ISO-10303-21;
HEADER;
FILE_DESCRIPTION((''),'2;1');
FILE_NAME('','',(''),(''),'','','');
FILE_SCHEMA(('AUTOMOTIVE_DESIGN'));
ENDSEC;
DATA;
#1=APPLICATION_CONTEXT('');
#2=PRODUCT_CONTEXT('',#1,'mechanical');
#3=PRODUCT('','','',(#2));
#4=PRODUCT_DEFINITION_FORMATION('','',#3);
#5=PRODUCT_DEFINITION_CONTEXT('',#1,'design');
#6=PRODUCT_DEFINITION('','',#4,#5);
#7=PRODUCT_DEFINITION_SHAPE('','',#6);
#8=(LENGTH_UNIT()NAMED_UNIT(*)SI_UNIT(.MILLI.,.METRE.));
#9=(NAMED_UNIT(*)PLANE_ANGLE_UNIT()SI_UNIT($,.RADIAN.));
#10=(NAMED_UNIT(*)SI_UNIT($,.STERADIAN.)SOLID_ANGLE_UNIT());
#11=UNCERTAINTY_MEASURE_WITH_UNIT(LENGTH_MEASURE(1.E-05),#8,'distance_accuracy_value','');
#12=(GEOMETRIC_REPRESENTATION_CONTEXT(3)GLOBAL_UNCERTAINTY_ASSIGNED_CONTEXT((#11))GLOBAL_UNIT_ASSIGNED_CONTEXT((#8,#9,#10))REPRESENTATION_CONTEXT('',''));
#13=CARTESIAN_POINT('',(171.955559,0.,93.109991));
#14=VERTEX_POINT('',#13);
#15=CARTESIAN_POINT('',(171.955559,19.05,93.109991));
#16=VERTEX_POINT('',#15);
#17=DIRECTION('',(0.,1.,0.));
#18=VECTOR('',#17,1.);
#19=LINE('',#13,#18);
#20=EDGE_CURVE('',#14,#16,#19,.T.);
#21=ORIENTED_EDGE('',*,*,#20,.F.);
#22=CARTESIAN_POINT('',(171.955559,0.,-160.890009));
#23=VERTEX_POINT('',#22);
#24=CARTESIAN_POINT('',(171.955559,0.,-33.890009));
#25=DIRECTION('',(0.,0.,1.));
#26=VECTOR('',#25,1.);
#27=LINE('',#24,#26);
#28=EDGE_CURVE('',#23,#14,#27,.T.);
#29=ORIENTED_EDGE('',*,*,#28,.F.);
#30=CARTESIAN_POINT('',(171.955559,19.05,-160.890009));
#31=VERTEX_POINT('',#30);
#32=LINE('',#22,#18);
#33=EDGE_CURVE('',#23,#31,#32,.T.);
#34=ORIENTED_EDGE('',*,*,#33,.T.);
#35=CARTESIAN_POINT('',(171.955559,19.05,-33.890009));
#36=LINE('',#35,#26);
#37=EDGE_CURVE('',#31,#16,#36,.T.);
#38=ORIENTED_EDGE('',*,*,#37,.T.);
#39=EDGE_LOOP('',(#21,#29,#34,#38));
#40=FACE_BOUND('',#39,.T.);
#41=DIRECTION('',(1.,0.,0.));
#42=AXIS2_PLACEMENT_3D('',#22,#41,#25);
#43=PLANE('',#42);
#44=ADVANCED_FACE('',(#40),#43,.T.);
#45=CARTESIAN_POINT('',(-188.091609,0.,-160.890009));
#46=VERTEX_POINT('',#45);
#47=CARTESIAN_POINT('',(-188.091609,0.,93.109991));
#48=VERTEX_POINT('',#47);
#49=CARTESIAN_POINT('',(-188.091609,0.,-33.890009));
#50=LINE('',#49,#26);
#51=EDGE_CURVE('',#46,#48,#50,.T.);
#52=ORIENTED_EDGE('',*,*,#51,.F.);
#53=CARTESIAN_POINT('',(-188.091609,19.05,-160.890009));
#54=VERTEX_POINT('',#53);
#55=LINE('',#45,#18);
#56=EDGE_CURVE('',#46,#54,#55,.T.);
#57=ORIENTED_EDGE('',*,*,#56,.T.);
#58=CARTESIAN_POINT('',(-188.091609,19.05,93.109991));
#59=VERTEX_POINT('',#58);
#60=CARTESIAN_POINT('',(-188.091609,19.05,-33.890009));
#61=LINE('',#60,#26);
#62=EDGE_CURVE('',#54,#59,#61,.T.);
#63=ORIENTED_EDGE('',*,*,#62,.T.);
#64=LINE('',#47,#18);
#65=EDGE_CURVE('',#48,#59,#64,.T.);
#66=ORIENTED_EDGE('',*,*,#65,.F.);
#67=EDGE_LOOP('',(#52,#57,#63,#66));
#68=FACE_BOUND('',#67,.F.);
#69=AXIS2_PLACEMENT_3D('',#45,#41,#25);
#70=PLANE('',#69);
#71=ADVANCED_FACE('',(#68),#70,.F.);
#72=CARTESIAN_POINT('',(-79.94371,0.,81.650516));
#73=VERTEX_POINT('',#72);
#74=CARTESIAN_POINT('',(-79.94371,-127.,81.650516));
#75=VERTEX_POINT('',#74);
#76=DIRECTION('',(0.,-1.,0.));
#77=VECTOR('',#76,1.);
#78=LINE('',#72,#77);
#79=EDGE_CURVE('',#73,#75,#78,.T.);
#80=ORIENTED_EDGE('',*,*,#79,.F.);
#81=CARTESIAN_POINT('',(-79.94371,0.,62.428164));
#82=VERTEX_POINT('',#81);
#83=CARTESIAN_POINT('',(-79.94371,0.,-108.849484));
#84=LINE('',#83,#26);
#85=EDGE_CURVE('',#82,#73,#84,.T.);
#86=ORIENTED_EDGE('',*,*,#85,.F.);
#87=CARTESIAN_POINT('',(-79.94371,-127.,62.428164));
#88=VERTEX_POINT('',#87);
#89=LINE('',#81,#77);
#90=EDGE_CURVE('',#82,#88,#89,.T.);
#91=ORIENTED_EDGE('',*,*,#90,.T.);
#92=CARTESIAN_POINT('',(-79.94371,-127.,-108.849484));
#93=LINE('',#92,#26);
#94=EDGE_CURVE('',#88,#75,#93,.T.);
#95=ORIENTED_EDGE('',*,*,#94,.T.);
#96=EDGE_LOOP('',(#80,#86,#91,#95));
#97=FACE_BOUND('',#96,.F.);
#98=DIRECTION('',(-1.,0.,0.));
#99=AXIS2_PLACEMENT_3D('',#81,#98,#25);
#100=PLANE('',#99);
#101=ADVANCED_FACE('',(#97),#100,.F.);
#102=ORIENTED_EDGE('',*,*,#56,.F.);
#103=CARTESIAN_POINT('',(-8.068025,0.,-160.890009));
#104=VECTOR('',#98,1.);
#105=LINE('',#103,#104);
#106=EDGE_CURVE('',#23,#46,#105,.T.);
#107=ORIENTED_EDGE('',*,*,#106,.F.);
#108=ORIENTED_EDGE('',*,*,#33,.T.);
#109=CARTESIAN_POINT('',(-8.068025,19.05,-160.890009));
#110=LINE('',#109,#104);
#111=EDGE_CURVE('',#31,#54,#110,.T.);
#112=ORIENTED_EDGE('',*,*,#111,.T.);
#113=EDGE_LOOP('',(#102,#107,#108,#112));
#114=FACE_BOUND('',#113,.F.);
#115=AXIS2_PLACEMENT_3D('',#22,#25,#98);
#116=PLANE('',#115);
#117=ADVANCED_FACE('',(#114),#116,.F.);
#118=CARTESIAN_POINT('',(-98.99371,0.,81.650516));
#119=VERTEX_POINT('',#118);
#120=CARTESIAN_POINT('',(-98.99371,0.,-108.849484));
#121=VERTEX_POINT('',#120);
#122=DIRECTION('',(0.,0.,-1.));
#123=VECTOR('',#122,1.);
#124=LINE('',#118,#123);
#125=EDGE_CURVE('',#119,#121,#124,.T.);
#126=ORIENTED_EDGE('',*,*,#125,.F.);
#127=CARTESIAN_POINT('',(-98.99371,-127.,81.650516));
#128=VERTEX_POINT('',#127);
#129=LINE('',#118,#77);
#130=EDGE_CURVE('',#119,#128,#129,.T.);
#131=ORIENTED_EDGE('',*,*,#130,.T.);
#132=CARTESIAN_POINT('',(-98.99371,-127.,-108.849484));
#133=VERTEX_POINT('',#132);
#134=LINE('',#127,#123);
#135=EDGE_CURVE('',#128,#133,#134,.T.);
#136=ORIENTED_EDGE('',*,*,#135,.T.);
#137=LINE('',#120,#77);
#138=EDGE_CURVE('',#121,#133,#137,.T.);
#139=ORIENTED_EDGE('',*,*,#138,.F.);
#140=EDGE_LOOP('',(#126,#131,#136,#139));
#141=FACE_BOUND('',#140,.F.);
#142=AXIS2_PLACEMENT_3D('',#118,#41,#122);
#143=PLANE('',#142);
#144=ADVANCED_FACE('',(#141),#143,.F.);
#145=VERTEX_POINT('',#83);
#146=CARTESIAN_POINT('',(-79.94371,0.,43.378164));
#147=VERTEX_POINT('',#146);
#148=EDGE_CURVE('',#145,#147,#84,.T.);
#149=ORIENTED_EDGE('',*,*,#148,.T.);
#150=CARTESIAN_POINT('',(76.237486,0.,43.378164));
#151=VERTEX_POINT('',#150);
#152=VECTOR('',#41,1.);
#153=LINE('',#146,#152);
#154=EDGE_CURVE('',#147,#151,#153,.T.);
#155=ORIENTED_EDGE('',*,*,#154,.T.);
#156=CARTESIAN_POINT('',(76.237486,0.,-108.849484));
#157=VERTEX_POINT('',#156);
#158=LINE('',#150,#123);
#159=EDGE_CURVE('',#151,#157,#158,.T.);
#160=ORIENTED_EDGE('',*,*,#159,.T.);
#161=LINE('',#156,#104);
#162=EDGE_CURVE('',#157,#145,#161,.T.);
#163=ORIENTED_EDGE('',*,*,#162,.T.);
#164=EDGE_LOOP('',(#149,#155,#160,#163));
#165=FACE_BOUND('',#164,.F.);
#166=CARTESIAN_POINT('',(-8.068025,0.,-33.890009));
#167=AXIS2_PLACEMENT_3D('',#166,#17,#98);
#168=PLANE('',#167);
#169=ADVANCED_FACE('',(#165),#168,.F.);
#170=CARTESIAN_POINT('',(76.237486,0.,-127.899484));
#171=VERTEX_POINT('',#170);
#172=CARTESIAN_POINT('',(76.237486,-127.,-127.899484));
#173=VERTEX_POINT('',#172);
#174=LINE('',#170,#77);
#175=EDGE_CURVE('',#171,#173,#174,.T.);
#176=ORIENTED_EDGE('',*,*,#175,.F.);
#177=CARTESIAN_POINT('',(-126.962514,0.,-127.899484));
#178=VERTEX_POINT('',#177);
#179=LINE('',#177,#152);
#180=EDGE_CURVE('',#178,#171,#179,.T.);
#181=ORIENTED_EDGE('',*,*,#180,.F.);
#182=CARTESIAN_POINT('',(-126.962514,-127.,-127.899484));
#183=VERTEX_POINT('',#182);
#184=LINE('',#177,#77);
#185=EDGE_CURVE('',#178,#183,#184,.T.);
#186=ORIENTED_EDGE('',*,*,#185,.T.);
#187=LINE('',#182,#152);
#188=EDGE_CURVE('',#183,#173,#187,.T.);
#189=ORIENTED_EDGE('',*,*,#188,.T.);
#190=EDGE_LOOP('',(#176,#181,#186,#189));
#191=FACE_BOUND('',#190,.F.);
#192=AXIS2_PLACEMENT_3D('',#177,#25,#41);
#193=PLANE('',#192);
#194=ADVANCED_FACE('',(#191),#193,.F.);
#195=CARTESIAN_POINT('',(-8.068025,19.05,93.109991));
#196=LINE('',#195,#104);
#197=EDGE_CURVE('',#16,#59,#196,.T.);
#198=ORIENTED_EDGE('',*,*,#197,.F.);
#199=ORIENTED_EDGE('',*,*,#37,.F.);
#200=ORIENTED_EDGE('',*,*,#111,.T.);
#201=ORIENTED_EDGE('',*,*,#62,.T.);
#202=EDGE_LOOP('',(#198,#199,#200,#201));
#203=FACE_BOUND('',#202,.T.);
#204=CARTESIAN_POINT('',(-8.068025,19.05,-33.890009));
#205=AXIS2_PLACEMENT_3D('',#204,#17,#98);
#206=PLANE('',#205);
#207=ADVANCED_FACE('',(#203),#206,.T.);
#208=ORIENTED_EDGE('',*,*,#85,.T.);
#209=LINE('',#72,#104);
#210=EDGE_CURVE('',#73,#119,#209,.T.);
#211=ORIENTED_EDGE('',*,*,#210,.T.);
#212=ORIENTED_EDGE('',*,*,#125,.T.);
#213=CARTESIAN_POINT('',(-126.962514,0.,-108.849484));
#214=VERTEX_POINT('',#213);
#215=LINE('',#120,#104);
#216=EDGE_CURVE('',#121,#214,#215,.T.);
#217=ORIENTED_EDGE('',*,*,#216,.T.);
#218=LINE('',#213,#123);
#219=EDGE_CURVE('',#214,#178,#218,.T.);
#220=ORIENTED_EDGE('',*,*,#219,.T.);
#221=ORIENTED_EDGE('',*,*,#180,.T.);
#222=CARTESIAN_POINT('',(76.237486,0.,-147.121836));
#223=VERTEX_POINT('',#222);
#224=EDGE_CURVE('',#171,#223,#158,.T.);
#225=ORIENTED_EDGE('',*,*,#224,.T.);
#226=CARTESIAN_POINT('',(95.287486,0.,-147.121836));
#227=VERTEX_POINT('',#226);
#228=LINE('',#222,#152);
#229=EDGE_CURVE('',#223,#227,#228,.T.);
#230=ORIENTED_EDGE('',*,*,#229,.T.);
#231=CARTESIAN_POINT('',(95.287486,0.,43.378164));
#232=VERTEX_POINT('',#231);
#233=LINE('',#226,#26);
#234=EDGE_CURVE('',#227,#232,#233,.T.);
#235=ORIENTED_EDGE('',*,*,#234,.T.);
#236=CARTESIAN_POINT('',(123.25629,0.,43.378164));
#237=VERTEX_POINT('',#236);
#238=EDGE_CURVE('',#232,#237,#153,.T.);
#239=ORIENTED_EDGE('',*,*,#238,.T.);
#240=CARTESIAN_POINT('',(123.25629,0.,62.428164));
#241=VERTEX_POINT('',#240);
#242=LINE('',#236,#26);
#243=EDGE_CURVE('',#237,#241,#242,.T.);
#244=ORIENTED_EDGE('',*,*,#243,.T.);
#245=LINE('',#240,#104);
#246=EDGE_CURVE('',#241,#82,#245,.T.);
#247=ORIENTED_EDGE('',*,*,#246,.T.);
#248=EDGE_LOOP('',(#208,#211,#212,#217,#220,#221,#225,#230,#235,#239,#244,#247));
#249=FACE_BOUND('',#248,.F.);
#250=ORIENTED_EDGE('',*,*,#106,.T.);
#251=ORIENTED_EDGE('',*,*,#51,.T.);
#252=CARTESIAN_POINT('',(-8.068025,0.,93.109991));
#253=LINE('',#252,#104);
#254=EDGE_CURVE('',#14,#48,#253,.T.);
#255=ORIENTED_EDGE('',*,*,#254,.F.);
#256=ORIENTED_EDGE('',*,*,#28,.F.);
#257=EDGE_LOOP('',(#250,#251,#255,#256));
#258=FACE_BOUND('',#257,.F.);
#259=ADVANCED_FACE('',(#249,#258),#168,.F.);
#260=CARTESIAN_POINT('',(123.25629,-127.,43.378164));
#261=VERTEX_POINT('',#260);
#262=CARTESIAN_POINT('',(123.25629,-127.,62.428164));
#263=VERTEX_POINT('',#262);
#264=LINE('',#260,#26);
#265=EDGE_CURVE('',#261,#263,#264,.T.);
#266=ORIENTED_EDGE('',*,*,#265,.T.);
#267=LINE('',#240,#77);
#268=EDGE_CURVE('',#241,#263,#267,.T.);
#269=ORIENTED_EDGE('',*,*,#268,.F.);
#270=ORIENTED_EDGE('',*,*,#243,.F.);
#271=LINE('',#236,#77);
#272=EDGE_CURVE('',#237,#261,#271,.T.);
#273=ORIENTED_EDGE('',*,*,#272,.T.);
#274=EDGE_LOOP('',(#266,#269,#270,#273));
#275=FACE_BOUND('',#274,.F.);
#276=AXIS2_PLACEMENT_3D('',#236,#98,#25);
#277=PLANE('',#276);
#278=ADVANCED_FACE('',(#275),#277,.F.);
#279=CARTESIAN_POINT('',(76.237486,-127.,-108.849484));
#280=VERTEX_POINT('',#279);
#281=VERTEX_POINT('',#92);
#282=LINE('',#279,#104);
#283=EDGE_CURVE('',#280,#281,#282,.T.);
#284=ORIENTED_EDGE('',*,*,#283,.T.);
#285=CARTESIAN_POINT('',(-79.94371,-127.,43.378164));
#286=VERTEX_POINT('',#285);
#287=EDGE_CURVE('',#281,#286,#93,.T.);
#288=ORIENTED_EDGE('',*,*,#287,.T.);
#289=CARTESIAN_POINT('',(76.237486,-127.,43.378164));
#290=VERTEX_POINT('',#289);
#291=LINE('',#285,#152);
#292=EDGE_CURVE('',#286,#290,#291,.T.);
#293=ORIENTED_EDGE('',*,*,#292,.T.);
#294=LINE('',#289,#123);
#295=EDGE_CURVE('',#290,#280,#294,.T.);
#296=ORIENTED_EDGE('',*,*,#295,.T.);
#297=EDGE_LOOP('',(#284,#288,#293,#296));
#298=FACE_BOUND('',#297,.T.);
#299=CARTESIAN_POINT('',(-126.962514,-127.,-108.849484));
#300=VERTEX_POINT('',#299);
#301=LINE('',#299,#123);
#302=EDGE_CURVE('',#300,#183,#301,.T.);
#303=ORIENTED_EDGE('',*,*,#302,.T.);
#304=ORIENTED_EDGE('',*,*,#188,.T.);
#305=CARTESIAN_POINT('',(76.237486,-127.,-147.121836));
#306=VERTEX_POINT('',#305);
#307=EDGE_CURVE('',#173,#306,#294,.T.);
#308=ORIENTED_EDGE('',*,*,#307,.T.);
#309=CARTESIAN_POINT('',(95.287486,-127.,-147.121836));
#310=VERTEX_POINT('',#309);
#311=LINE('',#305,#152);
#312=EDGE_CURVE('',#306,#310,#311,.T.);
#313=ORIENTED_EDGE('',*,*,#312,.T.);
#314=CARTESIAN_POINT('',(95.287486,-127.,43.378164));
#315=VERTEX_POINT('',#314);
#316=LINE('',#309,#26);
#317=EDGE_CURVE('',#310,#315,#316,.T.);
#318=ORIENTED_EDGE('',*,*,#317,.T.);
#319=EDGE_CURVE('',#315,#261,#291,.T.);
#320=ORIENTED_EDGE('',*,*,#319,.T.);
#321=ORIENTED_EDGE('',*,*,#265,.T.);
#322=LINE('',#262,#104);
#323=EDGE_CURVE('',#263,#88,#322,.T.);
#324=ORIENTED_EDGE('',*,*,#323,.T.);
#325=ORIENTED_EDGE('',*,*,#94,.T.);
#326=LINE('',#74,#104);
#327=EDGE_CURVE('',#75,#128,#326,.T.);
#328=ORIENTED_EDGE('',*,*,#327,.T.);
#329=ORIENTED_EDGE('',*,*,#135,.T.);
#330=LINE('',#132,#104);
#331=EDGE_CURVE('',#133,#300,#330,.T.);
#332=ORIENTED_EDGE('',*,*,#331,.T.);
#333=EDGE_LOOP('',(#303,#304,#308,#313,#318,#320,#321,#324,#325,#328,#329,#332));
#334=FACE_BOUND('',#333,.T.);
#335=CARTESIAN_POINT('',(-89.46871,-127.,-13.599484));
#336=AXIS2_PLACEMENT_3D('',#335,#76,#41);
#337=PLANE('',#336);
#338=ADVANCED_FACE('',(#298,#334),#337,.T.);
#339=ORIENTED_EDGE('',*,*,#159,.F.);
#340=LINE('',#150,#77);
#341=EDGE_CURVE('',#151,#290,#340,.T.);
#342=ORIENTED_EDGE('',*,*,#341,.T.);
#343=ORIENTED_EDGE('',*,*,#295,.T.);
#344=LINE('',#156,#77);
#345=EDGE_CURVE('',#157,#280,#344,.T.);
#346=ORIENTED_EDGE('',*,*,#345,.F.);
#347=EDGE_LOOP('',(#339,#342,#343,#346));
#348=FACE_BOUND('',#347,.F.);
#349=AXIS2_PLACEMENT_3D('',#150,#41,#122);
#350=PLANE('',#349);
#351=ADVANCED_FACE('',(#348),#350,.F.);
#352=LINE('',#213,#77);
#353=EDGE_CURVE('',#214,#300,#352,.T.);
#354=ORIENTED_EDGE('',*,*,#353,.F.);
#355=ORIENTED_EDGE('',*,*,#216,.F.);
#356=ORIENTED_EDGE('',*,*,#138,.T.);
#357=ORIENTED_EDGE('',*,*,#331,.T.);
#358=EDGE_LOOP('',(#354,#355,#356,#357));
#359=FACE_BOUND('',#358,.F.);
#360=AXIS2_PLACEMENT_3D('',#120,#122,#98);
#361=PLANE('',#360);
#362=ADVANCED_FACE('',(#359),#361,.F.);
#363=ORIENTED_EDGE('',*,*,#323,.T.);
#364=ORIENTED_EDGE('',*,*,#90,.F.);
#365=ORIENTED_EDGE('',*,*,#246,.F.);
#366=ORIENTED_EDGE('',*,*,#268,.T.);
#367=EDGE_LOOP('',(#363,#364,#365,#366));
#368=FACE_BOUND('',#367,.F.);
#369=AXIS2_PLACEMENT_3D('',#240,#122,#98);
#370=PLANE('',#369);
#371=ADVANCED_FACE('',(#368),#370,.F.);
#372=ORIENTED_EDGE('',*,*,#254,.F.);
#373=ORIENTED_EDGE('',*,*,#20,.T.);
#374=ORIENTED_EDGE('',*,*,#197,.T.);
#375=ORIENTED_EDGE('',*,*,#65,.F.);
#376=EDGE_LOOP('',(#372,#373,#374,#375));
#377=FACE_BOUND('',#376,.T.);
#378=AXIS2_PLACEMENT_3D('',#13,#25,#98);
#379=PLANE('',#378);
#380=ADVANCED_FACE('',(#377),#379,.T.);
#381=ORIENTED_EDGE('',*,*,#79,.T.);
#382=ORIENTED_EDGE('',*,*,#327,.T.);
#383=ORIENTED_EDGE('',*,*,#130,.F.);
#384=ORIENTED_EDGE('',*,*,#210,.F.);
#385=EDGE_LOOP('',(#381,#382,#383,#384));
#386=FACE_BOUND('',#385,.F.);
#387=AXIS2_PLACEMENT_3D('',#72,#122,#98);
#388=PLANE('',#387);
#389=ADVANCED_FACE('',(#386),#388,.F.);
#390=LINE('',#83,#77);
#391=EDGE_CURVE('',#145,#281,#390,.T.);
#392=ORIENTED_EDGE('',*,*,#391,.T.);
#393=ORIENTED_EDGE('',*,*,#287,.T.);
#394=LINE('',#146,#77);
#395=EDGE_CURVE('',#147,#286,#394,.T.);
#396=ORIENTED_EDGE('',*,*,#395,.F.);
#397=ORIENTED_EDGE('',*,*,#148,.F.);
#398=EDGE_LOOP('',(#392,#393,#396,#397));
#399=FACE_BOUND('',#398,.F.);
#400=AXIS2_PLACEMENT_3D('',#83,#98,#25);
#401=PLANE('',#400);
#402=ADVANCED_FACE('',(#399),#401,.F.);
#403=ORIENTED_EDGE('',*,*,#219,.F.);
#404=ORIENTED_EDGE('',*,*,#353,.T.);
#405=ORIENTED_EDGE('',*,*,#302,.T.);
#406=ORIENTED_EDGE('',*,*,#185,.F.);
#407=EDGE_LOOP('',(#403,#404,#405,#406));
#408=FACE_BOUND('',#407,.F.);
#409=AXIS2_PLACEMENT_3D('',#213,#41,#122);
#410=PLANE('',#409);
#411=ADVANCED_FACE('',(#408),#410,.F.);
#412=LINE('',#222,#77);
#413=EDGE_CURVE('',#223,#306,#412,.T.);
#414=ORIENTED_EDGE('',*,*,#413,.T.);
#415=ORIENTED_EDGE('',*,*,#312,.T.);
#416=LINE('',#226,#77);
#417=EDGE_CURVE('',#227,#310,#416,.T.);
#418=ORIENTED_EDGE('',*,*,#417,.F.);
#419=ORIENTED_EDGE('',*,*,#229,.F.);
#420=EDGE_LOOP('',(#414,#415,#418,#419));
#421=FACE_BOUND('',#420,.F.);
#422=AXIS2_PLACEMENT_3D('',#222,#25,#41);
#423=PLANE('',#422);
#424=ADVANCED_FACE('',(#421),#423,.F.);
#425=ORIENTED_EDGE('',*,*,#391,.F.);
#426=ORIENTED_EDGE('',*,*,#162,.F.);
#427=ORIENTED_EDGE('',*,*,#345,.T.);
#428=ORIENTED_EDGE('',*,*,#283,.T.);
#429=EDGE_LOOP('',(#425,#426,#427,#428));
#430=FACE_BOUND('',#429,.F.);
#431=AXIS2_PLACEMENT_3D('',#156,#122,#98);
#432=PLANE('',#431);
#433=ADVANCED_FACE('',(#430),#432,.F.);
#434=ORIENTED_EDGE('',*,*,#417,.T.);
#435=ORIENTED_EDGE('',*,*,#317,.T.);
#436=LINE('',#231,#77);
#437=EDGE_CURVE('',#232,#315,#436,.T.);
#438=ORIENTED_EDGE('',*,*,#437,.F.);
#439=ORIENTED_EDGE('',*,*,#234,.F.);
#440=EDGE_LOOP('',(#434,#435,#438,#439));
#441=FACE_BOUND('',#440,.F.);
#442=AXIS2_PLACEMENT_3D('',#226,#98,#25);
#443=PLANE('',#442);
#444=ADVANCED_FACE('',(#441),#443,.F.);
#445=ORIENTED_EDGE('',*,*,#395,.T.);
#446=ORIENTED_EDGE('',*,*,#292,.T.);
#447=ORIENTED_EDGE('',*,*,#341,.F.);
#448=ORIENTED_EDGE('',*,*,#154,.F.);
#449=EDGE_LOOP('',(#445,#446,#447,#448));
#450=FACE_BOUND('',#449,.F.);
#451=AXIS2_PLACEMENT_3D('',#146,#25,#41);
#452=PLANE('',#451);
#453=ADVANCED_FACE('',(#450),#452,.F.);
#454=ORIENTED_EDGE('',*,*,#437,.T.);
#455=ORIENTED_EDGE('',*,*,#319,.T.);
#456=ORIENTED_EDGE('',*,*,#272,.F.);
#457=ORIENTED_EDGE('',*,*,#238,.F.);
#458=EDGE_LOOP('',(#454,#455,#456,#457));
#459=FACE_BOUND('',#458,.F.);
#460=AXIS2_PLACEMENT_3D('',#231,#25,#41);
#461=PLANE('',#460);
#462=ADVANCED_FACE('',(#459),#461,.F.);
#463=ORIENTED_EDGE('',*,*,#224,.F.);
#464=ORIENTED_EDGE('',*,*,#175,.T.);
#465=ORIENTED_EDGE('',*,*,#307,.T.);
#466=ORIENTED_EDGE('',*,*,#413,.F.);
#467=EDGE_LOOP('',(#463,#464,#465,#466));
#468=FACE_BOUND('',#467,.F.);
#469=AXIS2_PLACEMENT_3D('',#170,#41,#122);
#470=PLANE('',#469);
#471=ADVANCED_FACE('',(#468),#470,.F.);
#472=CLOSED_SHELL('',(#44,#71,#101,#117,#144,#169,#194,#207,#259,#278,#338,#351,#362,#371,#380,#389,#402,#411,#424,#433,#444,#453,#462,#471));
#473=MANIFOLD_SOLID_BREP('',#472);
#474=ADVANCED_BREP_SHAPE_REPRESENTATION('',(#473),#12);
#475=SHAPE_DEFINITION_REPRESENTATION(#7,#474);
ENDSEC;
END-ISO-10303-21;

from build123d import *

# Parameters (mm, degrees)
F1_DEPTH = 127
F2_W     = 360.047168
F2_H     = 254
F3_DEPTH = 19.05


with BuildPart() as f1:
    # F0 (on Front) → F1 (new body)
    with BuildSketch(Plane.XZ):
        Polygon((-79.94371, 81.650516), (-98.99371, 81.650516), (-98.99371, -108.849484), (-79.94371, -108.849484), (-79.94371, 43.378164), (-79.94371, 62.428164), align=None)
        Polygon((123.25629, 62.428164), (-79.94371, 62.428164), (-79.94371, 43.378164), (76.237486, 43.378164), (95.287486, 43.378164), (123.25629, 43.378164), align=None)
        Polygon((76.237486, 43.378164), (76.237486, -108.849484), (76.237486, -127.899484), (76.237486, -147.121836), (95.287486, -147.121836), (95.287486, 43.378164), align=None)
        Polygon((-79.94371, -108.849484), (-98.99371, -108.849484), (-126.962514, -108.849484), (-126.962514, -127.899484), (76.237486, -127.899484), (76.237486, -108.849484), align=None)
    extrude(amount=F1_DEPTH)

    # F2 (on face) → F3 (join)
    with BuildSketch(Plane(origin=(0, 0, 0), x_dir=(-1, 0, 0), z_dir=(0, 1, 0))):
        with Locations((8.068025, -33.890009)):
            Rectangle(F2_W, F2_H)
    extrude(amount=F3_DEPTH)


solid = f1.part
